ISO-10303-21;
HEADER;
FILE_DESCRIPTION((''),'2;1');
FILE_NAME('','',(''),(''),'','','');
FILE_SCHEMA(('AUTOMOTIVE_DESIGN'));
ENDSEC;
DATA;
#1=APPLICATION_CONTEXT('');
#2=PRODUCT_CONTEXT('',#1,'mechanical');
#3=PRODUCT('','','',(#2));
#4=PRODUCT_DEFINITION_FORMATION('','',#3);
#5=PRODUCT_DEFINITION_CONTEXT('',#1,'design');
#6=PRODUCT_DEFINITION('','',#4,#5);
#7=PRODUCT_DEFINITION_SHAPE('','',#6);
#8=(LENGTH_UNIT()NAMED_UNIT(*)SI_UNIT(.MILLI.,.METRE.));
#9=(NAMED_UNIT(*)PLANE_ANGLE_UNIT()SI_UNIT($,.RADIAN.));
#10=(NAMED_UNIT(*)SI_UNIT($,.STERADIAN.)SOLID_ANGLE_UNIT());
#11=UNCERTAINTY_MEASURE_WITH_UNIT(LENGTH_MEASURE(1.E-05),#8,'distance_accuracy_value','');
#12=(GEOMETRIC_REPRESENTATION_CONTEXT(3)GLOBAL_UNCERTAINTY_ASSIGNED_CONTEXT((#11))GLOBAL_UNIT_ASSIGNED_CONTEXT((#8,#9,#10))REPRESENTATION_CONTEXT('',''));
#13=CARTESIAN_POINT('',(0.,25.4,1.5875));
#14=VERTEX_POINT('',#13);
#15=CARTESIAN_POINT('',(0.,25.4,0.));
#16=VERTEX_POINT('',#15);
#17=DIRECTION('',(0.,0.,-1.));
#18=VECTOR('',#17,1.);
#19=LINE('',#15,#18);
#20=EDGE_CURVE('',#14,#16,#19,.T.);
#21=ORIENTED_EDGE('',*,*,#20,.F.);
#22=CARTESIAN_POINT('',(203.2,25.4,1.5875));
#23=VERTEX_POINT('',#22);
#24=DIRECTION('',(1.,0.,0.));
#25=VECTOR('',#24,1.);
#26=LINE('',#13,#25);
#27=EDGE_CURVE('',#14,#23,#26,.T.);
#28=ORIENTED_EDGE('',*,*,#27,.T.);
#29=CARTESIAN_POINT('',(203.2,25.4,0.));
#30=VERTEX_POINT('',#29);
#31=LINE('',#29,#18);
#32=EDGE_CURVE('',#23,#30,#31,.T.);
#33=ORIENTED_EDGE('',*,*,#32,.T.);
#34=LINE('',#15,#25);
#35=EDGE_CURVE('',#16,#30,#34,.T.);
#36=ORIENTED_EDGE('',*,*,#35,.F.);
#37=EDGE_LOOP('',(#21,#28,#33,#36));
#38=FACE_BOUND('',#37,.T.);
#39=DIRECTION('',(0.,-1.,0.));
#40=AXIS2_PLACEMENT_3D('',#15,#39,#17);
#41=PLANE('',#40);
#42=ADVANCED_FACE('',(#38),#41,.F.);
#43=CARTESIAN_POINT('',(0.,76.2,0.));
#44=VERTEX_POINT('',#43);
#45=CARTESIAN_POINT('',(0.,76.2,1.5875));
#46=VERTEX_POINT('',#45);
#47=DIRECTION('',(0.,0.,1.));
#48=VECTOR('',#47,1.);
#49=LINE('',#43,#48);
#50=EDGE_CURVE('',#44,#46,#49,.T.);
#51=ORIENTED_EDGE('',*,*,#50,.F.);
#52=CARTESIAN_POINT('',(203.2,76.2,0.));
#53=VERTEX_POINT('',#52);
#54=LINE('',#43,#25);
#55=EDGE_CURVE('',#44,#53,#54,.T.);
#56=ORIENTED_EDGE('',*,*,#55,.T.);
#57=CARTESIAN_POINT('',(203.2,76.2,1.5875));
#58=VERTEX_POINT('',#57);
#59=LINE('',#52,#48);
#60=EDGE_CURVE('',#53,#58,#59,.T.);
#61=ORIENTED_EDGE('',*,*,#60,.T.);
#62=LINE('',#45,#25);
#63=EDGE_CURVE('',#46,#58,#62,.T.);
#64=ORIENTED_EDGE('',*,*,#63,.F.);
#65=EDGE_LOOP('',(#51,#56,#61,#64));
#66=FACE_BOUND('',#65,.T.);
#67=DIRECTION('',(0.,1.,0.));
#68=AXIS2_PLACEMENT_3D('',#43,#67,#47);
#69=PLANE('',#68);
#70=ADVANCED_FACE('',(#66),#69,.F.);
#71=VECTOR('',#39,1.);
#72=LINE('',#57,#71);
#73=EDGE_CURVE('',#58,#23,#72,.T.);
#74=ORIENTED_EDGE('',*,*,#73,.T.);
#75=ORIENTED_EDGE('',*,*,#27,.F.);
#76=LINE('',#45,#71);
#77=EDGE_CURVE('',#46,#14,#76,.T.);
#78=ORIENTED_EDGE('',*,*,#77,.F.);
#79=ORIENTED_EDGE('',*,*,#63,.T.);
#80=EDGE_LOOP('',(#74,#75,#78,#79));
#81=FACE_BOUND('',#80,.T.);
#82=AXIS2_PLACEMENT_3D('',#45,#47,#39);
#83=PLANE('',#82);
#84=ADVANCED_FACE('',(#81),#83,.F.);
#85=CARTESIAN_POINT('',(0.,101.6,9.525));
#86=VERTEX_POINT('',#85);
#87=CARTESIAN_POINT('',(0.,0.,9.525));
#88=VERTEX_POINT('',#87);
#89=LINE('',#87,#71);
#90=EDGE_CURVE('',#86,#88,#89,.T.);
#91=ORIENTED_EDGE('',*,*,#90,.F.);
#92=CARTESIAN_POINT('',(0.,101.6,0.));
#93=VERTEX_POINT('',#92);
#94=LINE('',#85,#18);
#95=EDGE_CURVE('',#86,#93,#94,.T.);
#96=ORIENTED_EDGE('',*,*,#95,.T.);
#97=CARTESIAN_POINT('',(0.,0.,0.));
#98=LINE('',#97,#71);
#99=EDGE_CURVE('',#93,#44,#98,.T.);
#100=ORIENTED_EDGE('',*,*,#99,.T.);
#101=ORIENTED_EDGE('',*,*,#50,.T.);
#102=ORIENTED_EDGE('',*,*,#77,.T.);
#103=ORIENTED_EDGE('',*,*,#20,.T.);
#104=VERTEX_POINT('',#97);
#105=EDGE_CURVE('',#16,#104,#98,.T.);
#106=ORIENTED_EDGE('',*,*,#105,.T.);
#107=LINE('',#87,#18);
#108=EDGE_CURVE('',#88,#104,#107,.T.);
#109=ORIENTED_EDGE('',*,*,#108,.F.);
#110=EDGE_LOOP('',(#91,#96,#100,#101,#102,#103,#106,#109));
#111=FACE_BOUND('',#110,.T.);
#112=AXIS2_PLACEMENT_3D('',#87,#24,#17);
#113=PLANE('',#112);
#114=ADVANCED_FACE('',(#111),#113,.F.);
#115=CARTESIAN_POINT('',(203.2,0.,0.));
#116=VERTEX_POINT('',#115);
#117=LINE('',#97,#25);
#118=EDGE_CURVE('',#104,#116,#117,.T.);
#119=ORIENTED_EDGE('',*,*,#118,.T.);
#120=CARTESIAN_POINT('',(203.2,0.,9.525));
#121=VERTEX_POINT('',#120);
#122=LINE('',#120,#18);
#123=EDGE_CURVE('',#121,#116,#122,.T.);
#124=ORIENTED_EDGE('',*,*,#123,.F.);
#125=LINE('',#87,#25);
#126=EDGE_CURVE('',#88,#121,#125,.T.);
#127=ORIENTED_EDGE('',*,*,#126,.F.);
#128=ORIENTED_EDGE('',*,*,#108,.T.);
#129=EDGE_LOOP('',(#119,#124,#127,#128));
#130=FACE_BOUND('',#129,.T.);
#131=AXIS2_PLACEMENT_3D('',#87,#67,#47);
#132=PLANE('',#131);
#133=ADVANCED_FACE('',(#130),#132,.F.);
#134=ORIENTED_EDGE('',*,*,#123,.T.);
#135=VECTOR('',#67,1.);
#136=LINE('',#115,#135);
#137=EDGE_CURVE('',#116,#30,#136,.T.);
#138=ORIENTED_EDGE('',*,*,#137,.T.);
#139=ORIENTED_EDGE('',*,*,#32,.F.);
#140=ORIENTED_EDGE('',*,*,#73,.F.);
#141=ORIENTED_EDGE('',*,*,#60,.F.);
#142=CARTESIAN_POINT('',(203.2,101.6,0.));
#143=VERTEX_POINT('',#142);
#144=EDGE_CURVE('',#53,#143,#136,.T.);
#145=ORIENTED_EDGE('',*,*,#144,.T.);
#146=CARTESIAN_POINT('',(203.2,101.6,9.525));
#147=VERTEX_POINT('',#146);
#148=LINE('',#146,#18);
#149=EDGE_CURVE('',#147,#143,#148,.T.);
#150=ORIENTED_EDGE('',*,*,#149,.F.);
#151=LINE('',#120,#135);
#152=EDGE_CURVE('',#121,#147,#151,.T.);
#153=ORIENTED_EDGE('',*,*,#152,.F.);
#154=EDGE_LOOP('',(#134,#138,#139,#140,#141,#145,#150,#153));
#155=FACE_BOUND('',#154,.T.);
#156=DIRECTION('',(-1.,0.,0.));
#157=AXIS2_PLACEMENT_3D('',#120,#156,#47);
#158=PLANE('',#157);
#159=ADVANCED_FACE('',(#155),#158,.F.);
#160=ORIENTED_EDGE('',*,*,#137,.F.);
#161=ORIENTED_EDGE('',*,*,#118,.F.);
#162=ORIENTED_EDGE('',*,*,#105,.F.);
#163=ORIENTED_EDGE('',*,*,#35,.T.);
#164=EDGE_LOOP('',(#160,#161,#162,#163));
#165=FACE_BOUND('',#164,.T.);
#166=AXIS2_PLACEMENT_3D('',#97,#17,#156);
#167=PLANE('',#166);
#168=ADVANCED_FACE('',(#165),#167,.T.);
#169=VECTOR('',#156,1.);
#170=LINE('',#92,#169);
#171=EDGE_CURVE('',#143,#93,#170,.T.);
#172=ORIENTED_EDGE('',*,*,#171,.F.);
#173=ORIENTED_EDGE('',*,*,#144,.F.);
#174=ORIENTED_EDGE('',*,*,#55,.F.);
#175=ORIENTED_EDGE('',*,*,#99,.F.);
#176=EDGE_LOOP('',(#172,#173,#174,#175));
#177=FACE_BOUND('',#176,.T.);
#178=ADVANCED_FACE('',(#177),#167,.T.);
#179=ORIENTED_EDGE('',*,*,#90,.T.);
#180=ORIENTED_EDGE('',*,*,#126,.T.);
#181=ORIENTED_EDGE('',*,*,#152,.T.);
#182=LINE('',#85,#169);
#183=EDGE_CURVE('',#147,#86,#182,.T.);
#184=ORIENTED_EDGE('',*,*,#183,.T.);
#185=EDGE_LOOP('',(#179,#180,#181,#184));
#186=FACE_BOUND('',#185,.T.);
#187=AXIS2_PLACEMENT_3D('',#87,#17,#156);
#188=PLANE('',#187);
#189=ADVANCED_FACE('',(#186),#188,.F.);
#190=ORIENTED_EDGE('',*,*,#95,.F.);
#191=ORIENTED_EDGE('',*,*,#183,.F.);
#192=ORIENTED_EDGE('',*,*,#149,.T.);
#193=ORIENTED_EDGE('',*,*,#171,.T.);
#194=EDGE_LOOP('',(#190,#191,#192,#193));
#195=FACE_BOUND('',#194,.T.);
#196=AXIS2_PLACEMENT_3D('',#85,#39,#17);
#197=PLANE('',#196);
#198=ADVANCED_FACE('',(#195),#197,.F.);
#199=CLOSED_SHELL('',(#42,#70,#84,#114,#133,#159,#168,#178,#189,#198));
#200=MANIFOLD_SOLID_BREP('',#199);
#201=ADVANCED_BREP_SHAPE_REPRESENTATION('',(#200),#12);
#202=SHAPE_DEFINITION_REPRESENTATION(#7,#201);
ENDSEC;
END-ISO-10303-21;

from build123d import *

# Parameters (mm, degrees)
SKETCH1_W               = 203.2
SKETCH1_H               = 101.6
BOSS_EXTRUDE1_DEPTH     = 9.525
CUT_EXTRUDE1_DEPTH      = 168.059092726
CUT_EXTRUDE1_DEPTH_BACK = 228.384092726
CUT_EXTRUDE1_START      = 60.325
SKETCH2_W               = 1.5875
SKETCH2_H               = 50.8


with BuildPart() as part:
    # Sketch1 → Boss-Extrude1 (new body)
    with BuildSketch(Plane.XY):
        with Locations((101.6, 50.8)):
            Rectangle(SKETCH1_W, SKETCH1_H)
    extrude(amount=BOSS_EXTRUDE1_DEPTH)

    # Sketch2 → Cut-Extrude1 (cut, two sides: drawn at the far end of the back side and taken through both)
    with BuildSketch(Plane(origin=(0, 0, 0), x_dir=(0, 0, -1), z_dir=(1, 0, 0)).offset(CUT_EXTRUDE1_START - CUT_EXTRUDE1_DEPTH_BACK)):
        with Locations((-0.79375, 50.8)):
            Rectangle(SKETCH2_W, SKETCH2_H)
    extrude(amount=CUT_EXTRUDE1_DEPTH + CUT_EXTRUDE1_DEPTH_BACK, mode=Mode.SUBTRACT)


solid = part.part
